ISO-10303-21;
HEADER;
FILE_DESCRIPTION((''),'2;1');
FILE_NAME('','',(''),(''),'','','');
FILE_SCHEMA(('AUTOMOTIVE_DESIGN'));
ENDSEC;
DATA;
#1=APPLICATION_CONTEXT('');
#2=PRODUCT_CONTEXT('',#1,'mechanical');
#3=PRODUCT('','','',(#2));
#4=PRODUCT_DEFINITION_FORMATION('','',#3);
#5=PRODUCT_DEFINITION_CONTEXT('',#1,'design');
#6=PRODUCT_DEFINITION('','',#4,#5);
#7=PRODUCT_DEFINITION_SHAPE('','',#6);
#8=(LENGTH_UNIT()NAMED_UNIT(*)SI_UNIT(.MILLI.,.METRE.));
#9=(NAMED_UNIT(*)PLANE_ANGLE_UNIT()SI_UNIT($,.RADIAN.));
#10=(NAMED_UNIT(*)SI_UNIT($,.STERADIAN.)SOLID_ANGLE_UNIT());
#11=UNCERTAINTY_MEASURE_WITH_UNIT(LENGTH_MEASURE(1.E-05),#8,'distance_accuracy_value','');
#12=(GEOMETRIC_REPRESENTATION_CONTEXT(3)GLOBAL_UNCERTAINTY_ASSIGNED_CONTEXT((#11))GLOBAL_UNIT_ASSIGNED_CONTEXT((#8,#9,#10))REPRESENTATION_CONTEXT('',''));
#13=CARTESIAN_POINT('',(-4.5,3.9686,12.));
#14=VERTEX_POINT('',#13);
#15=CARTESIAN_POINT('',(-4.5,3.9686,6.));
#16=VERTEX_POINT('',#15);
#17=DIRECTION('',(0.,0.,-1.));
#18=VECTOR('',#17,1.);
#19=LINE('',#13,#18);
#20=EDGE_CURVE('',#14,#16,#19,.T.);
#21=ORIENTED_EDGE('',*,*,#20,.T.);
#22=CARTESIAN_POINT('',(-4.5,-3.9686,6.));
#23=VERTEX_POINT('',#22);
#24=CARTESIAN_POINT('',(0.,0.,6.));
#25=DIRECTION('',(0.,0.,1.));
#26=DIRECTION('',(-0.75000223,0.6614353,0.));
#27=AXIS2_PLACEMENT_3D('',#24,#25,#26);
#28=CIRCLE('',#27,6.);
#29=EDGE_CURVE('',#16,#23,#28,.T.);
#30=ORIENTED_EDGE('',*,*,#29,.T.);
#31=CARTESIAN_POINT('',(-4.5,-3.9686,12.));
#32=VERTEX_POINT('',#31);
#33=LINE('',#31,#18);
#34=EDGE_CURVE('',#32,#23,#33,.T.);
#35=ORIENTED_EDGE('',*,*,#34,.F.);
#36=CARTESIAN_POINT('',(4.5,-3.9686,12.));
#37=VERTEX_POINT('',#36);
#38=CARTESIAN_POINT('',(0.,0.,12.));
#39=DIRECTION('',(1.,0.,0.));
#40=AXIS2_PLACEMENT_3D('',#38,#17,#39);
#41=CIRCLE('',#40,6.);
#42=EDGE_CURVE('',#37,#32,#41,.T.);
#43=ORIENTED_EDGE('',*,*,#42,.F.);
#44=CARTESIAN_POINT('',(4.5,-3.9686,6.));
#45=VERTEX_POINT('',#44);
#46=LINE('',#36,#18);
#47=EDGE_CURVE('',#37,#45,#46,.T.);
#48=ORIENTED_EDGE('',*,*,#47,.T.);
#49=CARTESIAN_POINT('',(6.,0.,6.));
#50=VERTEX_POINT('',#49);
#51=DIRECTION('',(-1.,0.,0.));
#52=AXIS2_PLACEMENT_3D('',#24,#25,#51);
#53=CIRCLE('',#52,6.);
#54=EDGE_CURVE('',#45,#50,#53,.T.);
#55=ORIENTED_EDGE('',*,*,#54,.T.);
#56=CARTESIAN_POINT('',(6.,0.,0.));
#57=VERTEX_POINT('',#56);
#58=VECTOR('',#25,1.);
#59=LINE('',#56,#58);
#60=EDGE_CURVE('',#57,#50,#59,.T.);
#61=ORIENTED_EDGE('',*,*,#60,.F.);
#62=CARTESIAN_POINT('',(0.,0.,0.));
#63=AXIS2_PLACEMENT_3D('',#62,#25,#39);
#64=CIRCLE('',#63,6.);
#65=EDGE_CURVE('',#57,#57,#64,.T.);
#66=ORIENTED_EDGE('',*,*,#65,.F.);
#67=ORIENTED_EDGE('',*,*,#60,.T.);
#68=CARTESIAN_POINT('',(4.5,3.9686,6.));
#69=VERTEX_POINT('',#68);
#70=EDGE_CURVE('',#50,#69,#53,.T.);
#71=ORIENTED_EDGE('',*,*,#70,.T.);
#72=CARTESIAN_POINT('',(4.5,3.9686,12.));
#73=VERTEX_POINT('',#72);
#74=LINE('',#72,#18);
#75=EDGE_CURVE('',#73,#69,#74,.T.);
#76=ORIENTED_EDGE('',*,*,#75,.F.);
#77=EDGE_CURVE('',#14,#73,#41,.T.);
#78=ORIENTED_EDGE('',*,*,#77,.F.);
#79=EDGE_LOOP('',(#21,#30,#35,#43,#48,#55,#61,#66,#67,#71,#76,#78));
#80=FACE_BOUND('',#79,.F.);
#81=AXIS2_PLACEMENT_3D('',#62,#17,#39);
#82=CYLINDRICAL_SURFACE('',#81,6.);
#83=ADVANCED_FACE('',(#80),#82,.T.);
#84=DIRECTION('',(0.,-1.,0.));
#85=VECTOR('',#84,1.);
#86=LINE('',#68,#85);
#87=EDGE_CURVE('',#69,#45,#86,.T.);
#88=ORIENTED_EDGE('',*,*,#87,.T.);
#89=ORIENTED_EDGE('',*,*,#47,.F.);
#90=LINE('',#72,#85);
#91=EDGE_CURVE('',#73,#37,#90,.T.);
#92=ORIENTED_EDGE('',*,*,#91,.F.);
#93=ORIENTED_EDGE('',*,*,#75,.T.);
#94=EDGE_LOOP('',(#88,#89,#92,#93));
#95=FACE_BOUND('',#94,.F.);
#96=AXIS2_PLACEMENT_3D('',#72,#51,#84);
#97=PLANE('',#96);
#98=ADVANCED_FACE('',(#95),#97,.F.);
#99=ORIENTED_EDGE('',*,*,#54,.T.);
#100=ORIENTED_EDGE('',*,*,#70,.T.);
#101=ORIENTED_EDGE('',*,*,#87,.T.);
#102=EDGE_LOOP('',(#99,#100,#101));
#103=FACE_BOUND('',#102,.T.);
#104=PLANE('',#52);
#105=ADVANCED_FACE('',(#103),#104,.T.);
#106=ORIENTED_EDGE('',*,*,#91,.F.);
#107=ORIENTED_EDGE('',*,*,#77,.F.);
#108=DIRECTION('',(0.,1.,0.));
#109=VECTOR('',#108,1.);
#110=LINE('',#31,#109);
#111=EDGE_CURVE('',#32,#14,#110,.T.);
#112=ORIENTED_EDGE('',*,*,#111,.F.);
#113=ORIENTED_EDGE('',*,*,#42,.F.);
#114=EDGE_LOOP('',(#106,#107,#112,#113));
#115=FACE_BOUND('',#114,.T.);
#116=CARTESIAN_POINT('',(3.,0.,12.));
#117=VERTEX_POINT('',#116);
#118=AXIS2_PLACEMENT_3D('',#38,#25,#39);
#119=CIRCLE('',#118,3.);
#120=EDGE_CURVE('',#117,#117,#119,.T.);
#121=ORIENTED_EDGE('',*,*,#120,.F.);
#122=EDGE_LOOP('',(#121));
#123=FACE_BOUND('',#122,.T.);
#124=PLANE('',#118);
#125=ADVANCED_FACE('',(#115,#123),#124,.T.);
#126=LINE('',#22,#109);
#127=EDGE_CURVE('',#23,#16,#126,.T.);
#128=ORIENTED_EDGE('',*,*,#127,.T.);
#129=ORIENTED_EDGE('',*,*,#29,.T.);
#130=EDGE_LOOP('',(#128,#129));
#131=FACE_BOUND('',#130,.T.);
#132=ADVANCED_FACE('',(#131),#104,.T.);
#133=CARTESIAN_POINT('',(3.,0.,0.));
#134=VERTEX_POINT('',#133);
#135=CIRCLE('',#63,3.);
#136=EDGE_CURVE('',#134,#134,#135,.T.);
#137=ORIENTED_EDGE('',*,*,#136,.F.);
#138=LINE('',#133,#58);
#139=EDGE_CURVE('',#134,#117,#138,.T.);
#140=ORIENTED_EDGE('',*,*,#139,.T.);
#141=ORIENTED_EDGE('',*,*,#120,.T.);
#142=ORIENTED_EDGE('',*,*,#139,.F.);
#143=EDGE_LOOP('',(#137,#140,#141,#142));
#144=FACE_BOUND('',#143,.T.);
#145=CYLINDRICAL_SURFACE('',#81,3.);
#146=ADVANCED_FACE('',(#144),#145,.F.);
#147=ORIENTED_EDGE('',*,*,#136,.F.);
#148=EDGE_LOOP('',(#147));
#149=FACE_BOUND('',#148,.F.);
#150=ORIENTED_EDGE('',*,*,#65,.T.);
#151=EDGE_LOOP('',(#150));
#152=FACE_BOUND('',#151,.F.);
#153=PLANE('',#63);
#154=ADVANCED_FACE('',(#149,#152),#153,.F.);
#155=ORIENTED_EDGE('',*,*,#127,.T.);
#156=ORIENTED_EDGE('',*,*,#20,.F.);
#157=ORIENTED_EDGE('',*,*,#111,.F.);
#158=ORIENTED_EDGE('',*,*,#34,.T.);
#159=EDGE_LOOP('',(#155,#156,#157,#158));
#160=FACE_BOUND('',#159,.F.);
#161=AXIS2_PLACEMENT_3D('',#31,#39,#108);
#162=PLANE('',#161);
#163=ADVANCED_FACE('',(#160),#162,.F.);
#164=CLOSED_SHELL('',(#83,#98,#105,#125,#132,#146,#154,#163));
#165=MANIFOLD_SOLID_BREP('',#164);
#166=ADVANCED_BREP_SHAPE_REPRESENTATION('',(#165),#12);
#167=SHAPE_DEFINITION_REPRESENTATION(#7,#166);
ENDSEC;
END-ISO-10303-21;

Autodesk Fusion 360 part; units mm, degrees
sketch "Esquisse1" plane through (0, 0, 0) normal (0, 0, 1) x (1, 0, 0)
  circle A0 centre (0, 0) radius 3
  circle A1 centre (0, 0) radius 6
  line L0 (-4.5, 8.8472) -> (4.5, 8.8472) construction
  line L1 (4.5, 8.8472) -> (4.5, -9.3481) construction
  line L2 (4.5, -9.3481) -> (-4.5, -9.3481) construction
  line L3 (-4.5, -9.3481) -> (-4.5, 8.8472) construction
  line L4 (4.5, 3.9686) -> (4.5, -3.9686)
  line L5 (-4.5, 3.9686) -> (-4.5, -3.9686)
  dimension "d1" = 6
  dimension "d2" = 12
  dimension "d3" = 9
  dimension "d4" = 4.5
extrude "Extrusion3" add sketch "Esquisse1" along normal blind 12
sketch "Esquisse2" plane through (0, 0, 12) normal (0, 0, 1) x (-1, 0, 0)
  circle A0 centre (0, 0) radius 3
  circle A1 centre (0, 0) radius 6
  line L0 (4.5, -8.2141) -> (-4.5, -8.2141) construction
  line L1 (-4.5, -8.2141) -> (-4.5, 8.5) construction
  line L2 (-4.5, 8.5) -> (4.5, 8.5) construction
  line L3 (4.5, 8.5) -> (4.5, -8.2141) construction
  line L4 (4.5, 3.9686) -> (4.5, -3.9686)
  line L5 (-4.5, -3.9686) -> (-4.5, 3.9686)
  dimension "d12" = 9
  dimension "d13" = 4.5
extrude "Extrusion4" cut sketch "Esquisse2" against normal blind 6 contours A1 L4 | A1 L5
